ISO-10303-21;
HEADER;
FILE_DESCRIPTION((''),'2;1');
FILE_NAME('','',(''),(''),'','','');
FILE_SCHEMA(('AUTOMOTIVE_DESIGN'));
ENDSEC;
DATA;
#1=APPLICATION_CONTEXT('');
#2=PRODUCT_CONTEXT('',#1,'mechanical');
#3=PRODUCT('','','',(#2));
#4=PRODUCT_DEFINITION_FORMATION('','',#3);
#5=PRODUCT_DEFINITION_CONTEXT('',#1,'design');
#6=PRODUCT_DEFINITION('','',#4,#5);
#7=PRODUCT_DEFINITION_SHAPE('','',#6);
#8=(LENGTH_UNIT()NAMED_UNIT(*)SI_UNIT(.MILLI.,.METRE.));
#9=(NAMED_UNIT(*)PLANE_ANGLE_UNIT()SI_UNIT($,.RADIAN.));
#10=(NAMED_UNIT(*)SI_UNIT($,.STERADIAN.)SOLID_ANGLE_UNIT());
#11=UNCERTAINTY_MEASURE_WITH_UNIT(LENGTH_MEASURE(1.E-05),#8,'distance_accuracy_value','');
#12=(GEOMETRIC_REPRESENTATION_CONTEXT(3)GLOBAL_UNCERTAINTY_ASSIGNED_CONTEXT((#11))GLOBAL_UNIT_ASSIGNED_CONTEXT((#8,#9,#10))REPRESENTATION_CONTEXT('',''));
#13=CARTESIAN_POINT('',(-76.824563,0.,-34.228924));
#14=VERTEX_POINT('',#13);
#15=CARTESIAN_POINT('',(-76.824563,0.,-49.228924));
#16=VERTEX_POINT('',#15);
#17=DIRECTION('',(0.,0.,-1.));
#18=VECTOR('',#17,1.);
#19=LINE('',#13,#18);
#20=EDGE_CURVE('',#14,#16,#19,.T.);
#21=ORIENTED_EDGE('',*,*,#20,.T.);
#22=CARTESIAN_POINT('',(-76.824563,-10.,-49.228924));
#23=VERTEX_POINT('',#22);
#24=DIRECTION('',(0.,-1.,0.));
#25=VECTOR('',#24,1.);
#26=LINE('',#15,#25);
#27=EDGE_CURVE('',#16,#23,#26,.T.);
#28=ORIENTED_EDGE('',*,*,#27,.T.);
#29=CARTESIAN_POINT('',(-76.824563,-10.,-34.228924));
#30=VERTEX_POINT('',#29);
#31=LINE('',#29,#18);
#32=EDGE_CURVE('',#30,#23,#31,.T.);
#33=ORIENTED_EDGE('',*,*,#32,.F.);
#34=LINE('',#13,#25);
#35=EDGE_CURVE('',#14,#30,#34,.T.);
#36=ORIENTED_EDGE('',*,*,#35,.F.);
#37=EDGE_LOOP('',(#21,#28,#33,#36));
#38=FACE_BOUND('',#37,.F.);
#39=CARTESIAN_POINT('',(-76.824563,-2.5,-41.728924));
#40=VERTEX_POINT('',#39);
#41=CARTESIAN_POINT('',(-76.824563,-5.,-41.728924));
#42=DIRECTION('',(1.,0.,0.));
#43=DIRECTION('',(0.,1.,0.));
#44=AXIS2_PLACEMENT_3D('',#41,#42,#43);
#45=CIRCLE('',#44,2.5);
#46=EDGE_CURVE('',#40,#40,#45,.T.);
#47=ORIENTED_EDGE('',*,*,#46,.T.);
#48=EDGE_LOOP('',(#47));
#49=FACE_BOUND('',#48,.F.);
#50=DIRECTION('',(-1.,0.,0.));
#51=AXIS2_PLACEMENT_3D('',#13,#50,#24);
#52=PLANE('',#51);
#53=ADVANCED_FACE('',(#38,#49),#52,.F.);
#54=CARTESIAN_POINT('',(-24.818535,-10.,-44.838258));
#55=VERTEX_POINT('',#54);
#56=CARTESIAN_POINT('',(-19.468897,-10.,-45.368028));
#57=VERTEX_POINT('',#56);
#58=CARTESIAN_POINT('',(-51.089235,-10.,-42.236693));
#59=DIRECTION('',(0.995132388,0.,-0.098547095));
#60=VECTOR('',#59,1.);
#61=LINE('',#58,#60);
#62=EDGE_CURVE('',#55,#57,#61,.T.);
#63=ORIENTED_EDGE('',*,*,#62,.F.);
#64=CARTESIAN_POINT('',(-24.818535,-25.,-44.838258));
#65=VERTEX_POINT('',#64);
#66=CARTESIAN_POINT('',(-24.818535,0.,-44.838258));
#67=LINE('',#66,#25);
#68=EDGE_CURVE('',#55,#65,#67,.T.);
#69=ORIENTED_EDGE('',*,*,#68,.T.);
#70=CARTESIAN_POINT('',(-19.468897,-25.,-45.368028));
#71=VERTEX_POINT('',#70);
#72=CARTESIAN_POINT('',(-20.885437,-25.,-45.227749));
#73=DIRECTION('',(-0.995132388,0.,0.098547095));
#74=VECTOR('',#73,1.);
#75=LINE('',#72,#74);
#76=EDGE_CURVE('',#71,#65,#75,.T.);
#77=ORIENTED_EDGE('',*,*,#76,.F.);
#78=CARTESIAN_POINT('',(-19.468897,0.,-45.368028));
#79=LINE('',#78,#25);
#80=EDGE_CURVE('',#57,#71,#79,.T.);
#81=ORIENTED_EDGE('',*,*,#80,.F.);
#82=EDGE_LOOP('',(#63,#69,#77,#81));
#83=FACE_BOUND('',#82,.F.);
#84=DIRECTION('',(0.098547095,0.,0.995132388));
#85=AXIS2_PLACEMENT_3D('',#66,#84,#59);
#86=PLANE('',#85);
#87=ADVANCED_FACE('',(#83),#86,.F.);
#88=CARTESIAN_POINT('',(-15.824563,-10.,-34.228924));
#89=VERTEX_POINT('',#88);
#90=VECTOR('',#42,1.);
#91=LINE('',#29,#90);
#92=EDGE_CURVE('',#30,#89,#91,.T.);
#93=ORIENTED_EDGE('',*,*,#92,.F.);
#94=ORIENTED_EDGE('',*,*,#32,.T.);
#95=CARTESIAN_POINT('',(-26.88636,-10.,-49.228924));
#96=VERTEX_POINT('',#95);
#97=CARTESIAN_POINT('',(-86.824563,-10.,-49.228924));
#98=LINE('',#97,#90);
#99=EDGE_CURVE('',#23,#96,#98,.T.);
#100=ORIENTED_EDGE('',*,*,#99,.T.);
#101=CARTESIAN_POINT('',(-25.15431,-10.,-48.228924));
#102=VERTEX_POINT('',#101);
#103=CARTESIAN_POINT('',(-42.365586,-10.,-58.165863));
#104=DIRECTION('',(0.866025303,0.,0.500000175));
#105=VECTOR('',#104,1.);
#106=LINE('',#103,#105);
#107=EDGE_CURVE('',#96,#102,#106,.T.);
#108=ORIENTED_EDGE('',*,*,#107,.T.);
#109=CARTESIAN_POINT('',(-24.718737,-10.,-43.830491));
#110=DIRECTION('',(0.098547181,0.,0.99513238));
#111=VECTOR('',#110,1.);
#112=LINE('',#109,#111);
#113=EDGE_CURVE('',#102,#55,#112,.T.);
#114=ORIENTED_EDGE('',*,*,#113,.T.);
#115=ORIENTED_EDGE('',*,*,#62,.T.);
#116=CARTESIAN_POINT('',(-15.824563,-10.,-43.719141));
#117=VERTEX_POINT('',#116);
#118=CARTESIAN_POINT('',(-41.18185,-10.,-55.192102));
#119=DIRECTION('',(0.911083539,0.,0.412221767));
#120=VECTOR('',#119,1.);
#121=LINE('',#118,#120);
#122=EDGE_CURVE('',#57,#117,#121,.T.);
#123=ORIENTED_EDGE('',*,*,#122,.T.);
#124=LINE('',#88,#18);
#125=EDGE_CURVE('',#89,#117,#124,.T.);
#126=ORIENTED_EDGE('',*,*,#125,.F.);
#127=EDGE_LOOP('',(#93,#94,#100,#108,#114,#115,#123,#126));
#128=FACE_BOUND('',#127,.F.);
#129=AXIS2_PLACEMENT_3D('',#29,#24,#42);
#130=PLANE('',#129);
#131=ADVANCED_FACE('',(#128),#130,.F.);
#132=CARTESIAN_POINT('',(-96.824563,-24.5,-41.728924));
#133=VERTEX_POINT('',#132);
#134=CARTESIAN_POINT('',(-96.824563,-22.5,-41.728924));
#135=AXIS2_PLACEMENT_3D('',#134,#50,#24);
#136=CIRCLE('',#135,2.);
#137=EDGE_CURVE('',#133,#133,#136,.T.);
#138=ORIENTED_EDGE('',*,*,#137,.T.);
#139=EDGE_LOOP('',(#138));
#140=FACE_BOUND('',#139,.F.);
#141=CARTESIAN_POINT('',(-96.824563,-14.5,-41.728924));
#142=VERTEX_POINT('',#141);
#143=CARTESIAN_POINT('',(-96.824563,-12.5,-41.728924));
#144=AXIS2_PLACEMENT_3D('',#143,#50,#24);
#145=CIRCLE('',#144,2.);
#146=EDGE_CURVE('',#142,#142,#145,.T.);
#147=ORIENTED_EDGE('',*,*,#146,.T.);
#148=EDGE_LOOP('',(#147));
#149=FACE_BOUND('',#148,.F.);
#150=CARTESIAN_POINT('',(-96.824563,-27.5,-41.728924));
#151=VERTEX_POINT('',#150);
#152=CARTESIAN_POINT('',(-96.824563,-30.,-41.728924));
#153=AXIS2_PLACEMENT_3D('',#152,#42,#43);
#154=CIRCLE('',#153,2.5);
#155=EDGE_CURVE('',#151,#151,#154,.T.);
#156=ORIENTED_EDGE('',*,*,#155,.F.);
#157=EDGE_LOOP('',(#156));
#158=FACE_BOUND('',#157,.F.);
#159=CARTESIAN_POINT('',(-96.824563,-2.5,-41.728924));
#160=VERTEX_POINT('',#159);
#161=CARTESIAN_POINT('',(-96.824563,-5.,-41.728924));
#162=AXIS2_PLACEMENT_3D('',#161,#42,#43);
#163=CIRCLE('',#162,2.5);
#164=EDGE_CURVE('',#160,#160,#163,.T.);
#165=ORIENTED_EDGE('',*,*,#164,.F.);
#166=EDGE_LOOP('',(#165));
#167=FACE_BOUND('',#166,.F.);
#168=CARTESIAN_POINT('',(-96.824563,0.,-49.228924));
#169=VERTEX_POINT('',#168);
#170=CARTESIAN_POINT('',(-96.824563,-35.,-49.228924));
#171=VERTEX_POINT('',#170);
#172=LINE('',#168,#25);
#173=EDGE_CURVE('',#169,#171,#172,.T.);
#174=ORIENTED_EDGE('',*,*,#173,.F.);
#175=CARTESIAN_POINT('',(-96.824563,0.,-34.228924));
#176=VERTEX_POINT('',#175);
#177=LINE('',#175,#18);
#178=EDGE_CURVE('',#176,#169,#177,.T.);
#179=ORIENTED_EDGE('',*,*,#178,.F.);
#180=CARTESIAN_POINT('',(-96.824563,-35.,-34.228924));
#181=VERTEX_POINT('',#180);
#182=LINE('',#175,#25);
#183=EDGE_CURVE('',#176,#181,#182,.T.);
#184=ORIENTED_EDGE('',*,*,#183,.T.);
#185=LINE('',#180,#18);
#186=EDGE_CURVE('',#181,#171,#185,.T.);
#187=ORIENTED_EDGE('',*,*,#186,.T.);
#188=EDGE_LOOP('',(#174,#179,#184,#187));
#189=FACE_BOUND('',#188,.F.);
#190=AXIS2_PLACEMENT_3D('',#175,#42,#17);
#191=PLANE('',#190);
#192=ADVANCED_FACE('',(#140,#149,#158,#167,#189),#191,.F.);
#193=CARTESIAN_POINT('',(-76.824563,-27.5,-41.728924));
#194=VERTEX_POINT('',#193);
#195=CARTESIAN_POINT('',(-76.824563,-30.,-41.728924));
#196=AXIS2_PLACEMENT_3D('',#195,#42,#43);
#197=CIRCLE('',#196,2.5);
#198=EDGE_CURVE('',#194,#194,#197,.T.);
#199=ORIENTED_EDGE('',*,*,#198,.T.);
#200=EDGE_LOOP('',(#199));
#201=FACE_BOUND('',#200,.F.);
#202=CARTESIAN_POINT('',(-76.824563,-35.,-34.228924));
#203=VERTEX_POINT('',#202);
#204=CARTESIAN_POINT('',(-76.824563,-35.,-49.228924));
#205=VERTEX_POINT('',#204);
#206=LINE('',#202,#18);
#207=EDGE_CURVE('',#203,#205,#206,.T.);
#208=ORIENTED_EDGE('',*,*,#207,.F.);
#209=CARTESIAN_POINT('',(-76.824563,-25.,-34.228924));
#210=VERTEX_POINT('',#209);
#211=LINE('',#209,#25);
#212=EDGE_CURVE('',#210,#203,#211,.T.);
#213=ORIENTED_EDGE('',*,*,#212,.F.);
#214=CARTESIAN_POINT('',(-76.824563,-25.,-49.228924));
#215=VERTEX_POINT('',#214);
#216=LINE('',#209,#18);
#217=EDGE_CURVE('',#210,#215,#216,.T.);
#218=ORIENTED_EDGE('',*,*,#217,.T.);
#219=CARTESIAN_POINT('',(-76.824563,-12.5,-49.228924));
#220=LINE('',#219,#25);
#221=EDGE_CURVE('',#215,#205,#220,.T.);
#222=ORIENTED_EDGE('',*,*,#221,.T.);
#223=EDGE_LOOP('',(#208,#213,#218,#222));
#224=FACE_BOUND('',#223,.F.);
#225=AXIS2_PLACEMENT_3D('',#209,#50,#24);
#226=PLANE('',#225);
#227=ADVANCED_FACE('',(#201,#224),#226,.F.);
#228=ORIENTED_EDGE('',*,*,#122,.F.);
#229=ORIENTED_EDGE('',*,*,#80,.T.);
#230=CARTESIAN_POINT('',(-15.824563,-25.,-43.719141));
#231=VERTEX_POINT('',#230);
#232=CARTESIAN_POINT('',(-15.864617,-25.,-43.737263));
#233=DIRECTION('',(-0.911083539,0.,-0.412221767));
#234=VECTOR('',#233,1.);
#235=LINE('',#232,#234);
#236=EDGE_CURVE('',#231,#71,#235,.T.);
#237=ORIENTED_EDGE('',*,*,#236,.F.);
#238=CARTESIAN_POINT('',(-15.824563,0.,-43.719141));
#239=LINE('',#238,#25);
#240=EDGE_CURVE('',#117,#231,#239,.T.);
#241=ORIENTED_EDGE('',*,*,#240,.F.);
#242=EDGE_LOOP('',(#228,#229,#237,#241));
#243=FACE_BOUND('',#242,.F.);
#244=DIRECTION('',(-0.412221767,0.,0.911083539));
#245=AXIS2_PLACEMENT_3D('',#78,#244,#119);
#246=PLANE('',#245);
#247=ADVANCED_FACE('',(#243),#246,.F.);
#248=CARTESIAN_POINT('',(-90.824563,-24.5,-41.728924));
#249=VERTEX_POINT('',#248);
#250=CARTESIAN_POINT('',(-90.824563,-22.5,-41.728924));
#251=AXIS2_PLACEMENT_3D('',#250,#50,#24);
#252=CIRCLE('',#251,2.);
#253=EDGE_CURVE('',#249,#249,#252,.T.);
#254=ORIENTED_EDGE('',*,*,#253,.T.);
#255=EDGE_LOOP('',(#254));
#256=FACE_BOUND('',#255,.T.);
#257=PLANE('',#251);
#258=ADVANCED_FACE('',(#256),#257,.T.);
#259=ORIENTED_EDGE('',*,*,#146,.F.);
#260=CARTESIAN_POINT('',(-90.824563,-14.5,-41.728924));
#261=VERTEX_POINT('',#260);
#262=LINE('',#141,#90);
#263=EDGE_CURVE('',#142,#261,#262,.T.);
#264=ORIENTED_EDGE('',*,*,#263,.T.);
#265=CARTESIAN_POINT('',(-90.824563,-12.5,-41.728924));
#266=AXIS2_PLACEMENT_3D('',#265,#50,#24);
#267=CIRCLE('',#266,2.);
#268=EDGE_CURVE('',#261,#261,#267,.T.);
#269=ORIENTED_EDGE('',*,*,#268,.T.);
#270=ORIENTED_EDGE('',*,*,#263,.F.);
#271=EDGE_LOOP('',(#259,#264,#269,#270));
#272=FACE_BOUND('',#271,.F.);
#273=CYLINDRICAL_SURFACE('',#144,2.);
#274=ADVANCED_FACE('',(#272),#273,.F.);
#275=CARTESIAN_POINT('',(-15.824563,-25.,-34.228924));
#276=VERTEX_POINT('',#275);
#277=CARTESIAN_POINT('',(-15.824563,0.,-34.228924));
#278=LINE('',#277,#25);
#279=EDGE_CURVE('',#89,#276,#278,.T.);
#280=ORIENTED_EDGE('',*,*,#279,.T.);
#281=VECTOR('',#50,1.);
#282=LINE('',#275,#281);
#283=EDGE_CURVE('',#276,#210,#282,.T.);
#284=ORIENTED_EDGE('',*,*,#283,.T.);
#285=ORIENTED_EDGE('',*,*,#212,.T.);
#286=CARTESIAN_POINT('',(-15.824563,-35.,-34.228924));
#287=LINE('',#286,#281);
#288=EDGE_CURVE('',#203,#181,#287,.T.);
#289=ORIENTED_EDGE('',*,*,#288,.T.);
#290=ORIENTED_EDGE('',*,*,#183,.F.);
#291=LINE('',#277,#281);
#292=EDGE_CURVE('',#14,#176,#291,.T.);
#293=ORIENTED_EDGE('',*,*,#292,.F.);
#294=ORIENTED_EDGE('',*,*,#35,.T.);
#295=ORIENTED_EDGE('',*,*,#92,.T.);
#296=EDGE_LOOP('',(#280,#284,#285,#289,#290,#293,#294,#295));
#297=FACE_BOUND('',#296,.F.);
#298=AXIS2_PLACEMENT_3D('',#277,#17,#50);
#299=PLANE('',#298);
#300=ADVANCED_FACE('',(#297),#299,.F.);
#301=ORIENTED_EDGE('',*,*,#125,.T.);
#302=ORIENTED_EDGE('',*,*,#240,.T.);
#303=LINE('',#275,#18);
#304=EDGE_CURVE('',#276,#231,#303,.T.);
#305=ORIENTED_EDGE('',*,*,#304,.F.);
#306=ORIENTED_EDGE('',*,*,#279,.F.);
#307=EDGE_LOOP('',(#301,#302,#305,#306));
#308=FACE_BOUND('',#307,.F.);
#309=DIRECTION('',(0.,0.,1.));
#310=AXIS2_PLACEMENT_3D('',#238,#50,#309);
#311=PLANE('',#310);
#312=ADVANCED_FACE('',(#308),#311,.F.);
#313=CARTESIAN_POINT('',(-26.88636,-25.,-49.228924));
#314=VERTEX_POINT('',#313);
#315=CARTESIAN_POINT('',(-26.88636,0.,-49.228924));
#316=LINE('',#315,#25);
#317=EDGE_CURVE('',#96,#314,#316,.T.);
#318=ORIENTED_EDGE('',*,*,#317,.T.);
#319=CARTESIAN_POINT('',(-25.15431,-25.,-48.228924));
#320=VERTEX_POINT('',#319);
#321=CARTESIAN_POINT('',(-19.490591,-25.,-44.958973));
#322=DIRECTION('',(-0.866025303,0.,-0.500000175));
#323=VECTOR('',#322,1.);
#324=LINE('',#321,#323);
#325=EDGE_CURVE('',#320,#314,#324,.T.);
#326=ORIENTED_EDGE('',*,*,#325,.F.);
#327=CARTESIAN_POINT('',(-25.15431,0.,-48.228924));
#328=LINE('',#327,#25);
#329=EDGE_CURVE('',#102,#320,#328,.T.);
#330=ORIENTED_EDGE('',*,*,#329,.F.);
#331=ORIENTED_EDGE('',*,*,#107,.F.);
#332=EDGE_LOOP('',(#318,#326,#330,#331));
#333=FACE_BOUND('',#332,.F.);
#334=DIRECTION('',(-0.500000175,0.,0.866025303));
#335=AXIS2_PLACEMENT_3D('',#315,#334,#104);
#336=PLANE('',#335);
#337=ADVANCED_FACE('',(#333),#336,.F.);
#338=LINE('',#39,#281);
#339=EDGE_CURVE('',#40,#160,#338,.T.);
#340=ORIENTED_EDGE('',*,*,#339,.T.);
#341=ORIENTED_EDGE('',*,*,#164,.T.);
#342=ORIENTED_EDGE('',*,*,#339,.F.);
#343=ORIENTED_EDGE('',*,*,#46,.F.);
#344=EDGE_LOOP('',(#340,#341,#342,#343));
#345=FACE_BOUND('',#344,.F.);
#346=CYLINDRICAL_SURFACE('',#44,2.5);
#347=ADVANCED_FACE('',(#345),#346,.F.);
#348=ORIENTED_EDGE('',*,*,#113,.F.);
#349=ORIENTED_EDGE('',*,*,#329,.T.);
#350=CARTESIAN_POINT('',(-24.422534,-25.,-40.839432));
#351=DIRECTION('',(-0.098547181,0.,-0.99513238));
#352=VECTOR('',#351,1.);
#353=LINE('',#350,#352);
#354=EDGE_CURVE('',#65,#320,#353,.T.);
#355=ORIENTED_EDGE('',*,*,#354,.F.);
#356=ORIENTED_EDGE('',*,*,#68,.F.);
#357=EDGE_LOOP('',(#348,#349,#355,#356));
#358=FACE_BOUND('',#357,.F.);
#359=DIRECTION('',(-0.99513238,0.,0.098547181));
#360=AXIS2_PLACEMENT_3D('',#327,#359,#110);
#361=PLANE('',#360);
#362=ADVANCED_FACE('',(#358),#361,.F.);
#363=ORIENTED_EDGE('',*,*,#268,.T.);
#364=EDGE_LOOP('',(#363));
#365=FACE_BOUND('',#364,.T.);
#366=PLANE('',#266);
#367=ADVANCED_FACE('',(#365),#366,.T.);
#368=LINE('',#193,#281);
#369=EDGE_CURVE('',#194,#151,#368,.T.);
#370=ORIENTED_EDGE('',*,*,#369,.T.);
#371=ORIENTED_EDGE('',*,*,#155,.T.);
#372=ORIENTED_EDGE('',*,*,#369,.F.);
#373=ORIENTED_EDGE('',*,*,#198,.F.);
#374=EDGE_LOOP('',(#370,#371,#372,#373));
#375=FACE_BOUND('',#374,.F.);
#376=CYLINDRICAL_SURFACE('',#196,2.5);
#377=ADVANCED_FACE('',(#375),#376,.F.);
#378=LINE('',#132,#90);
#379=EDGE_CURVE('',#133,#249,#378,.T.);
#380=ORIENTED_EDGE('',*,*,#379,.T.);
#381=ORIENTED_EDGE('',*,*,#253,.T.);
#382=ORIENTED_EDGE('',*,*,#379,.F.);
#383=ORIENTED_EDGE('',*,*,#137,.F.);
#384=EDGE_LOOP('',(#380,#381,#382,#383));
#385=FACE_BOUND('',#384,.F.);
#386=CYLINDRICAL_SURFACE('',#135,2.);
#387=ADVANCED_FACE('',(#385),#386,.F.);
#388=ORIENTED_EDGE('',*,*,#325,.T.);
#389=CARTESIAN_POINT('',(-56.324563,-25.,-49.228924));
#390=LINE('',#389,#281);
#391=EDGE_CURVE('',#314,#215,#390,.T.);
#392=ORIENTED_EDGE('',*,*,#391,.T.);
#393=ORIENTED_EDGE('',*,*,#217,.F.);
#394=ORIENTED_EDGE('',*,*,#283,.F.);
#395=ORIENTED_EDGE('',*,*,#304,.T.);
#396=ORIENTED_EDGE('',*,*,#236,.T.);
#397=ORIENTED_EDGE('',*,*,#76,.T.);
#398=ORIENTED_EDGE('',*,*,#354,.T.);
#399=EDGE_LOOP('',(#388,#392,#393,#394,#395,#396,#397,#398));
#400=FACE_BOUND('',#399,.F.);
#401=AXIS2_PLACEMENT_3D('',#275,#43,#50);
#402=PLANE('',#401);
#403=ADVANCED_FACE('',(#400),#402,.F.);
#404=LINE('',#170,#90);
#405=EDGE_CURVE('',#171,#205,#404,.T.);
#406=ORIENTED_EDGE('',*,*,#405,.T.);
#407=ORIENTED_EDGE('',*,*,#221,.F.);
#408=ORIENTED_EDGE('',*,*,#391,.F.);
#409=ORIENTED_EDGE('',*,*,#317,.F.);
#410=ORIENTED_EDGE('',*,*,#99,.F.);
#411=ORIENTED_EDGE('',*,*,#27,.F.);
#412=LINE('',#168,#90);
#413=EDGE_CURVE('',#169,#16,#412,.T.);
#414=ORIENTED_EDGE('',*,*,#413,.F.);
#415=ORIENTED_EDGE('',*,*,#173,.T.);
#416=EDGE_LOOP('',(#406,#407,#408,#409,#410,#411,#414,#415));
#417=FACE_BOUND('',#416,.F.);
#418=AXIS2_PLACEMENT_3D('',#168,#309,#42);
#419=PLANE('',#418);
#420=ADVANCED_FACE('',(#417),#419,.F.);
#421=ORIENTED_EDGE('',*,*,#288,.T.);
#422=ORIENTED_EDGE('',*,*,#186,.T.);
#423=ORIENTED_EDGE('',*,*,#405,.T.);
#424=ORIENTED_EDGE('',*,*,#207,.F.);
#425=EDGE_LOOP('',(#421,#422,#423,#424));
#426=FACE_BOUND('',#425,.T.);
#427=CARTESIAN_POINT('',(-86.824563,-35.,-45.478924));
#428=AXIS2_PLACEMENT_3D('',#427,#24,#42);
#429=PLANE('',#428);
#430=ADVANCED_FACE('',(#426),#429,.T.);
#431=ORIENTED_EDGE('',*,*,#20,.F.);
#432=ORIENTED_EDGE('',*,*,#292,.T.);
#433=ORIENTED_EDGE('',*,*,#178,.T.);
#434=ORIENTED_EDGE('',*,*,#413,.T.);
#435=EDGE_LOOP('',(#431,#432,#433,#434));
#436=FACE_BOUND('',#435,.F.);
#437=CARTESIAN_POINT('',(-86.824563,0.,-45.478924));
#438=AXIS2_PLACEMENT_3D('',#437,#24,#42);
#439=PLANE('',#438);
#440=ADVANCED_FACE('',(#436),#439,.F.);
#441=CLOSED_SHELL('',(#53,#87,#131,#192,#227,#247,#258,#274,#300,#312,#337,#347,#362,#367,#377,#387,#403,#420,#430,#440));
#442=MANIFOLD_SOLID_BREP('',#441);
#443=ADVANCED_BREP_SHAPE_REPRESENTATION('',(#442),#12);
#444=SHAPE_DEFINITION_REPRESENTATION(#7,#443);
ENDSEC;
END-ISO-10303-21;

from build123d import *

# Parameters (mm, degrees)
F0_W     = 20
F0_H     = 7.5
F1_DEPTH = 35
F3_DEPTH = 15.001
F4_R     = 2.5
F6_DEPTH = 20.001
F5_R     = 2
F7_DEPTH = 6


with BuildPart() as f1:
    # F0 (on Front) → F1 (new body)
    with BuildSketch(Plane.XZ):
        with Locations((-86.824563, -45.478924)):
            Rectangle(F0_W, F0_H)
        Polygon((-76.824563, -41.728924), (-76.824563, -49.228924), (-26.88636, -49.228924), (-25.15431, -48.228924), (-24.818535, -44.838258), (-19.468897, -45.368028), (-15.824563, -43.719141), (-15.824563, -34.228924), (-76.824563, -34.228924), (-76.824563, -39.228924), align=None)
        Polygon((-96.824563, -39.228924), (-96.824563, -41.728924), (-76.824563, -41.728924), (-76.824563, -39.228924), (-76.824563, -34.228924), (-96.824563, -34.228924), align=None)
    extrude(amount=F1_DEPTH)

    # F2 (on face) → F3 (cut, through all)
    with BuildSketch(Plane.XY.offset(-34.228924)):
        Polygon((-76.824563, -30), (-76.824563, -35), (-15.824563, -35), (-15.824563, -25), (-24.818535, -25), (-76.824563, -25), align=None)
        Polygon((-76.824563, 0), (-76.824563, -5), (-76.824563, -10), (-24.818535, -10), (-15.824563, -10), (-15.824563, 0), align=None)
    extrude(amount=-F3_DEPTH, mode=Mode.SUBTRACT)

    # F4 (on face) → F6 (cut, through all)
    with BuildSketch(Plane.YZ.offset(-76.824563)):
        with Locations((-5, -41.728924)):
            Circle(F4_R)
        with Locations((-30, -41.728924)):
            Circle(F4_R)
    extrude(amount=-F6_DEPTH, mode=Mode.SUBTRACT)

    # F5 (on face) → F7 (cut)
    with BuildSketch(Plane(origin=(-96.824563, 0, 0), x_dir=(0, -1, 0), z_dir=(-1, 0, 0))):
        with Locations((22.5, -41.728924)):
            Circle(F5_R)
        with Locations((12.5, -41.728924)):
            Circle(F5_R)
    extrude(amount=-F7_DEPTH, mode=Mode.SUBTRACT)


solid = f1.part
